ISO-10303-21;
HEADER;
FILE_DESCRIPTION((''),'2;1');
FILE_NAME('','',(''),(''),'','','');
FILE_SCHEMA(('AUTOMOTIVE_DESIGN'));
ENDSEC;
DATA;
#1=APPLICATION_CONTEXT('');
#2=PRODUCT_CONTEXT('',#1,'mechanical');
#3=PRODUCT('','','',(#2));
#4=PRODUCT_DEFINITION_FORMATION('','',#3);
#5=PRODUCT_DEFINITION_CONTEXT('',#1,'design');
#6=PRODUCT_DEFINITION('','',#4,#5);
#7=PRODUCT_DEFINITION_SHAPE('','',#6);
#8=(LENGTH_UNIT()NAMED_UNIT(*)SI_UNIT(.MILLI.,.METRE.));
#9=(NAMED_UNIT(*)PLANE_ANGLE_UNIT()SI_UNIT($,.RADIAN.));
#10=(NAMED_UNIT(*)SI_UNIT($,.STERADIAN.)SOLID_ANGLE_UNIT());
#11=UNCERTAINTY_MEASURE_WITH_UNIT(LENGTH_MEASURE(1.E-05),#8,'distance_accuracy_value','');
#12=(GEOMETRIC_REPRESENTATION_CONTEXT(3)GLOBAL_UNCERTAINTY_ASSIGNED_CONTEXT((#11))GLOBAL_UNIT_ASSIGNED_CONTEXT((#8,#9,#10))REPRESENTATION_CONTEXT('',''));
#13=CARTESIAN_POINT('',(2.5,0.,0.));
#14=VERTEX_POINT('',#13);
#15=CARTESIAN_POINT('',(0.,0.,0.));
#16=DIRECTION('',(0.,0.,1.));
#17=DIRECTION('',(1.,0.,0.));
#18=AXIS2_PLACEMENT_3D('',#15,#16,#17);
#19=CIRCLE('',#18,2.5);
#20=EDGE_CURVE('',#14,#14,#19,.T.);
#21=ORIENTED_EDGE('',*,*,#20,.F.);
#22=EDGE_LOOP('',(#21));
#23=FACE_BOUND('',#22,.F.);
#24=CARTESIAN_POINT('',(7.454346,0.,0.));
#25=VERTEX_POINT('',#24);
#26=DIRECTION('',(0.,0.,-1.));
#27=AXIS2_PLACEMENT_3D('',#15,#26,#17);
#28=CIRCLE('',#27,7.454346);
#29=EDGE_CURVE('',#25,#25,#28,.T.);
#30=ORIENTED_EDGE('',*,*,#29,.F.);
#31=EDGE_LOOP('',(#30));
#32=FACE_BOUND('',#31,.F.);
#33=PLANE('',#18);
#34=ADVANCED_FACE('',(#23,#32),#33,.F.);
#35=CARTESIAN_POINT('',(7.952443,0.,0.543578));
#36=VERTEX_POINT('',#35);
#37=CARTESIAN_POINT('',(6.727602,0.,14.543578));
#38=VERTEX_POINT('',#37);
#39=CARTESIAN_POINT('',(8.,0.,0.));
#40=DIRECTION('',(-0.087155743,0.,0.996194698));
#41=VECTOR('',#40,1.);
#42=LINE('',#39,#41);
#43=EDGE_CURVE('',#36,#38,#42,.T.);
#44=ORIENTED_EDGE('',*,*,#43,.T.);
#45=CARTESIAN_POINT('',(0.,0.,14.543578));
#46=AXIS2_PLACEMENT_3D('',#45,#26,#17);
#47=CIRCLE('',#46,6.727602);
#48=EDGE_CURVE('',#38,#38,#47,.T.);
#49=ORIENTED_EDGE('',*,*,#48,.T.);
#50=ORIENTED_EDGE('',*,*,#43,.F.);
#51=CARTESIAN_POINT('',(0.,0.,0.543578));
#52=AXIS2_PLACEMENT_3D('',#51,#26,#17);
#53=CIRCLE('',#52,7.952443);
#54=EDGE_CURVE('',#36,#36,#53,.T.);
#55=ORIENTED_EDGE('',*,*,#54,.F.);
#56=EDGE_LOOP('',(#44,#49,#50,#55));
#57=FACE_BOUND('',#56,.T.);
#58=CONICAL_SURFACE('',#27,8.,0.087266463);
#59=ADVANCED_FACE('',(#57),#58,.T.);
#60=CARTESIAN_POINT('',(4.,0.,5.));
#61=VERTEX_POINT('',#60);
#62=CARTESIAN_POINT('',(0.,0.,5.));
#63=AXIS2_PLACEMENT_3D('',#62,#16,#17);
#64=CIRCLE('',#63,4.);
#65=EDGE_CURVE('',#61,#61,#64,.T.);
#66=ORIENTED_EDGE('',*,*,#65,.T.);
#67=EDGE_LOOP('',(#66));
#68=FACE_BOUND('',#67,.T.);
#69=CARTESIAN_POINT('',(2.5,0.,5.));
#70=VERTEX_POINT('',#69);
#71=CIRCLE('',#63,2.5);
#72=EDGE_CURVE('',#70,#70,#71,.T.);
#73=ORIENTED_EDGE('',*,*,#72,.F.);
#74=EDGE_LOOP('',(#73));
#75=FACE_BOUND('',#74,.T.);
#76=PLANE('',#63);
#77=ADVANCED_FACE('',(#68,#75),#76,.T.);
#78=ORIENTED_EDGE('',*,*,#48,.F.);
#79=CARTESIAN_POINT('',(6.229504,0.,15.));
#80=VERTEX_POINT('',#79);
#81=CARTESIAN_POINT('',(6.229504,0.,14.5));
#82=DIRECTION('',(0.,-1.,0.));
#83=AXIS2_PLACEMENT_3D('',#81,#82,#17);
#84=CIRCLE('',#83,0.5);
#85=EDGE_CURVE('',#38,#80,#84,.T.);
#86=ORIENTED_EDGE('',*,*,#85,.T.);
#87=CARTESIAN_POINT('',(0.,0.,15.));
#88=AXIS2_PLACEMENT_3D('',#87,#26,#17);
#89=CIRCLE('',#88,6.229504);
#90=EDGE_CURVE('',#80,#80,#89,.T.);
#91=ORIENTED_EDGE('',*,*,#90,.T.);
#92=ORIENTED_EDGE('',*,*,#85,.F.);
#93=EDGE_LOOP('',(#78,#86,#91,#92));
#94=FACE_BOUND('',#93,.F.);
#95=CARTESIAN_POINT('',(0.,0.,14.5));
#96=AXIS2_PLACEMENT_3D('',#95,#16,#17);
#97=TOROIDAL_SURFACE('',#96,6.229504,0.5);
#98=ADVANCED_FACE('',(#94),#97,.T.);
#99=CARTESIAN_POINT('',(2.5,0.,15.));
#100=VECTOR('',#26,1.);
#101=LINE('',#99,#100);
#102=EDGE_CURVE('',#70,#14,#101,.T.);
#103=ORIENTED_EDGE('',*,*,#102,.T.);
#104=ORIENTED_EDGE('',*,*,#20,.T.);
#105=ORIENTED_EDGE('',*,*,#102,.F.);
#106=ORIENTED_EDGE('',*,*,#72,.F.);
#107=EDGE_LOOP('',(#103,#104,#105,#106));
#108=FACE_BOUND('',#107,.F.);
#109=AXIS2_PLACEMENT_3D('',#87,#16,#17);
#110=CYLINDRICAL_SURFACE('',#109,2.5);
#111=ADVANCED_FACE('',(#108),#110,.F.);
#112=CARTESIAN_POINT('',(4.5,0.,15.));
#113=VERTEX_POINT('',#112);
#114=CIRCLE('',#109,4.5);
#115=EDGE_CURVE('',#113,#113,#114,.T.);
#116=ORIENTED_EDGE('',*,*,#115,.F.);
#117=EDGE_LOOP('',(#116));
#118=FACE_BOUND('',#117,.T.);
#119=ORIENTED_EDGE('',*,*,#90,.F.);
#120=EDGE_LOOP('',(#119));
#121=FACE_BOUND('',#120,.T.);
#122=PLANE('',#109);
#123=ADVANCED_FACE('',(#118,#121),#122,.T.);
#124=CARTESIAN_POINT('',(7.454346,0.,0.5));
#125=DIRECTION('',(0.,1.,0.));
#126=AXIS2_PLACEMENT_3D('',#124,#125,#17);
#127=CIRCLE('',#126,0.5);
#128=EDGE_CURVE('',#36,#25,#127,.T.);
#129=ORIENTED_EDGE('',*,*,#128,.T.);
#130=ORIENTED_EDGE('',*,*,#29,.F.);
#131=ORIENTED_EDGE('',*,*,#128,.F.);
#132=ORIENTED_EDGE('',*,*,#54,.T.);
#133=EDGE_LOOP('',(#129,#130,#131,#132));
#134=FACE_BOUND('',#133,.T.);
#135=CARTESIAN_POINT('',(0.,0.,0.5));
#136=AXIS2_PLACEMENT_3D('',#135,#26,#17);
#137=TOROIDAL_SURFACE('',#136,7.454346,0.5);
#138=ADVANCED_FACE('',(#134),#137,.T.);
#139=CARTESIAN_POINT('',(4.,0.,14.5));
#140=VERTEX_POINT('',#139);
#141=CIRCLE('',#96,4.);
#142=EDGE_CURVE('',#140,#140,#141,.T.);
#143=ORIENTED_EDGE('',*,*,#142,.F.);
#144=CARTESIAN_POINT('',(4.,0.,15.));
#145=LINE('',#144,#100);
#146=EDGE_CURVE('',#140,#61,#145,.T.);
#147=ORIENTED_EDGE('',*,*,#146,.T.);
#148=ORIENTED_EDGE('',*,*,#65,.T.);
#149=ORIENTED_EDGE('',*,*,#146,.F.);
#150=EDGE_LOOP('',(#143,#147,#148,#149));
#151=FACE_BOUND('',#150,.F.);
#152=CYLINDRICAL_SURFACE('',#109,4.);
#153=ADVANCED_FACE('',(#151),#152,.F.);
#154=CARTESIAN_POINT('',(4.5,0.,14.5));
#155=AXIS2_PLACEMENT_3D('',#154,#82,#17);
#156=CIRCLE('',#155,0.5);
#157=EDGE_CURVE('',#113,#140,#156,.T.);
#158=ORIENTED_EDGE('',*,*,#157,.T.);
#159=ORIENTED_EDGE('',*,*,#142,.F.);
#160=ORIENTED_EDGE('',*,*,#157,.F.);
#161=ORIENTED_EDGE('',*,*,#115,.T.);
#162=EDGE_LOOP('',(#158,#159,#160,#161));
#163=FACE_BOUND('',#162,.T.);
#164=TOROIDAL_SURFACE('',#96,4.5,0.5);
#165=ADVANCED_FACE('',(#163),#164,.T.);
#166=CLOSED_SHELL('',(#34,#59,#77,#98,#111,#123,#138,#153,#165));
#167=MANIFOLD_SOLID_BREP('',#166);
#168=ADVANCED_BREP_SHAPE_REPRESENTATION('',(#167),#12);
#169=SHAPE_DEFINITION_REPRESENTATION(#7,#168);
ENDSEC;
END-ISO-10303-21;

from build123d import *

# Parameters (mm, degrees)
ESQUISSE1_R             = 8
BOSS_EXTRU_1_DEPTH      = 15
BOSS_EXTRU_1_TAPER      = 5
ESQUISSE2_R             = 2.5
ENL_V_MAT_EXTRU_1_DEPTH = 30
ESQUISSE3_R             = 4
ENL_V_MAT_EXTRU_2_DEPTH = 10
CONG_2_R                = 0.5
CONG_3_R                = 0.5
CONG_4_R                = 0.5


with BuildPart() as part:
    # Esquisse1 → Boss.-Extru.1 (new body)
    with BuildSketch(Plane.XY):
        Circle(ESQUISSE1_R)
    extrude(amount=BOSS_EXTRU_1_DEPTH, taper=BOSS_EXTRU_1_TAPER)

    # Esquisse2 → Enlèv. mat.-Extru.1 (cut)
    with BuildSketch(Plane.XY.offset(15)):
        Circle(ESQUISSE2_R)
    extrude(amount=-ENL_V_MAT_EXTRU_1_DEPTH, mode=Mode.SUBTRACT)

    # Esquisse3 → Enlèv. mat.-Extru.2 (cut)
    with BuildSketch(Plane.XY.offset(15)):
        Circle(ESQUISSE3_R)
    extrude(amount=-ENL_V_MAT_EXTRU_2_DEPTH, mode=Mode.SUBTRACT)

    # Congé2
    cong_2_edges = [part.edges().sort_by_distance(p)[0] for p in [
        (-4, 0, 15),
    ]]
    fillet(cong_2_edges, radius=CONG_2_R)

    # Congé3
    cong_3_edges = [part.edges().sort_by_distance(p)[0] for p in [
        (-8, 0, 0),
    ]]
    fillet(cong_3_edges, radius=CONG_3_R)

    # Congé4
    cong_4_edges = [part.edges().sort_by_distance(p)[0] for p in [
        (-6.687670047, 0, 15),
    ]]
    fillet(cong_4_edges, radius=CONG_4_R)


solid = part.part
